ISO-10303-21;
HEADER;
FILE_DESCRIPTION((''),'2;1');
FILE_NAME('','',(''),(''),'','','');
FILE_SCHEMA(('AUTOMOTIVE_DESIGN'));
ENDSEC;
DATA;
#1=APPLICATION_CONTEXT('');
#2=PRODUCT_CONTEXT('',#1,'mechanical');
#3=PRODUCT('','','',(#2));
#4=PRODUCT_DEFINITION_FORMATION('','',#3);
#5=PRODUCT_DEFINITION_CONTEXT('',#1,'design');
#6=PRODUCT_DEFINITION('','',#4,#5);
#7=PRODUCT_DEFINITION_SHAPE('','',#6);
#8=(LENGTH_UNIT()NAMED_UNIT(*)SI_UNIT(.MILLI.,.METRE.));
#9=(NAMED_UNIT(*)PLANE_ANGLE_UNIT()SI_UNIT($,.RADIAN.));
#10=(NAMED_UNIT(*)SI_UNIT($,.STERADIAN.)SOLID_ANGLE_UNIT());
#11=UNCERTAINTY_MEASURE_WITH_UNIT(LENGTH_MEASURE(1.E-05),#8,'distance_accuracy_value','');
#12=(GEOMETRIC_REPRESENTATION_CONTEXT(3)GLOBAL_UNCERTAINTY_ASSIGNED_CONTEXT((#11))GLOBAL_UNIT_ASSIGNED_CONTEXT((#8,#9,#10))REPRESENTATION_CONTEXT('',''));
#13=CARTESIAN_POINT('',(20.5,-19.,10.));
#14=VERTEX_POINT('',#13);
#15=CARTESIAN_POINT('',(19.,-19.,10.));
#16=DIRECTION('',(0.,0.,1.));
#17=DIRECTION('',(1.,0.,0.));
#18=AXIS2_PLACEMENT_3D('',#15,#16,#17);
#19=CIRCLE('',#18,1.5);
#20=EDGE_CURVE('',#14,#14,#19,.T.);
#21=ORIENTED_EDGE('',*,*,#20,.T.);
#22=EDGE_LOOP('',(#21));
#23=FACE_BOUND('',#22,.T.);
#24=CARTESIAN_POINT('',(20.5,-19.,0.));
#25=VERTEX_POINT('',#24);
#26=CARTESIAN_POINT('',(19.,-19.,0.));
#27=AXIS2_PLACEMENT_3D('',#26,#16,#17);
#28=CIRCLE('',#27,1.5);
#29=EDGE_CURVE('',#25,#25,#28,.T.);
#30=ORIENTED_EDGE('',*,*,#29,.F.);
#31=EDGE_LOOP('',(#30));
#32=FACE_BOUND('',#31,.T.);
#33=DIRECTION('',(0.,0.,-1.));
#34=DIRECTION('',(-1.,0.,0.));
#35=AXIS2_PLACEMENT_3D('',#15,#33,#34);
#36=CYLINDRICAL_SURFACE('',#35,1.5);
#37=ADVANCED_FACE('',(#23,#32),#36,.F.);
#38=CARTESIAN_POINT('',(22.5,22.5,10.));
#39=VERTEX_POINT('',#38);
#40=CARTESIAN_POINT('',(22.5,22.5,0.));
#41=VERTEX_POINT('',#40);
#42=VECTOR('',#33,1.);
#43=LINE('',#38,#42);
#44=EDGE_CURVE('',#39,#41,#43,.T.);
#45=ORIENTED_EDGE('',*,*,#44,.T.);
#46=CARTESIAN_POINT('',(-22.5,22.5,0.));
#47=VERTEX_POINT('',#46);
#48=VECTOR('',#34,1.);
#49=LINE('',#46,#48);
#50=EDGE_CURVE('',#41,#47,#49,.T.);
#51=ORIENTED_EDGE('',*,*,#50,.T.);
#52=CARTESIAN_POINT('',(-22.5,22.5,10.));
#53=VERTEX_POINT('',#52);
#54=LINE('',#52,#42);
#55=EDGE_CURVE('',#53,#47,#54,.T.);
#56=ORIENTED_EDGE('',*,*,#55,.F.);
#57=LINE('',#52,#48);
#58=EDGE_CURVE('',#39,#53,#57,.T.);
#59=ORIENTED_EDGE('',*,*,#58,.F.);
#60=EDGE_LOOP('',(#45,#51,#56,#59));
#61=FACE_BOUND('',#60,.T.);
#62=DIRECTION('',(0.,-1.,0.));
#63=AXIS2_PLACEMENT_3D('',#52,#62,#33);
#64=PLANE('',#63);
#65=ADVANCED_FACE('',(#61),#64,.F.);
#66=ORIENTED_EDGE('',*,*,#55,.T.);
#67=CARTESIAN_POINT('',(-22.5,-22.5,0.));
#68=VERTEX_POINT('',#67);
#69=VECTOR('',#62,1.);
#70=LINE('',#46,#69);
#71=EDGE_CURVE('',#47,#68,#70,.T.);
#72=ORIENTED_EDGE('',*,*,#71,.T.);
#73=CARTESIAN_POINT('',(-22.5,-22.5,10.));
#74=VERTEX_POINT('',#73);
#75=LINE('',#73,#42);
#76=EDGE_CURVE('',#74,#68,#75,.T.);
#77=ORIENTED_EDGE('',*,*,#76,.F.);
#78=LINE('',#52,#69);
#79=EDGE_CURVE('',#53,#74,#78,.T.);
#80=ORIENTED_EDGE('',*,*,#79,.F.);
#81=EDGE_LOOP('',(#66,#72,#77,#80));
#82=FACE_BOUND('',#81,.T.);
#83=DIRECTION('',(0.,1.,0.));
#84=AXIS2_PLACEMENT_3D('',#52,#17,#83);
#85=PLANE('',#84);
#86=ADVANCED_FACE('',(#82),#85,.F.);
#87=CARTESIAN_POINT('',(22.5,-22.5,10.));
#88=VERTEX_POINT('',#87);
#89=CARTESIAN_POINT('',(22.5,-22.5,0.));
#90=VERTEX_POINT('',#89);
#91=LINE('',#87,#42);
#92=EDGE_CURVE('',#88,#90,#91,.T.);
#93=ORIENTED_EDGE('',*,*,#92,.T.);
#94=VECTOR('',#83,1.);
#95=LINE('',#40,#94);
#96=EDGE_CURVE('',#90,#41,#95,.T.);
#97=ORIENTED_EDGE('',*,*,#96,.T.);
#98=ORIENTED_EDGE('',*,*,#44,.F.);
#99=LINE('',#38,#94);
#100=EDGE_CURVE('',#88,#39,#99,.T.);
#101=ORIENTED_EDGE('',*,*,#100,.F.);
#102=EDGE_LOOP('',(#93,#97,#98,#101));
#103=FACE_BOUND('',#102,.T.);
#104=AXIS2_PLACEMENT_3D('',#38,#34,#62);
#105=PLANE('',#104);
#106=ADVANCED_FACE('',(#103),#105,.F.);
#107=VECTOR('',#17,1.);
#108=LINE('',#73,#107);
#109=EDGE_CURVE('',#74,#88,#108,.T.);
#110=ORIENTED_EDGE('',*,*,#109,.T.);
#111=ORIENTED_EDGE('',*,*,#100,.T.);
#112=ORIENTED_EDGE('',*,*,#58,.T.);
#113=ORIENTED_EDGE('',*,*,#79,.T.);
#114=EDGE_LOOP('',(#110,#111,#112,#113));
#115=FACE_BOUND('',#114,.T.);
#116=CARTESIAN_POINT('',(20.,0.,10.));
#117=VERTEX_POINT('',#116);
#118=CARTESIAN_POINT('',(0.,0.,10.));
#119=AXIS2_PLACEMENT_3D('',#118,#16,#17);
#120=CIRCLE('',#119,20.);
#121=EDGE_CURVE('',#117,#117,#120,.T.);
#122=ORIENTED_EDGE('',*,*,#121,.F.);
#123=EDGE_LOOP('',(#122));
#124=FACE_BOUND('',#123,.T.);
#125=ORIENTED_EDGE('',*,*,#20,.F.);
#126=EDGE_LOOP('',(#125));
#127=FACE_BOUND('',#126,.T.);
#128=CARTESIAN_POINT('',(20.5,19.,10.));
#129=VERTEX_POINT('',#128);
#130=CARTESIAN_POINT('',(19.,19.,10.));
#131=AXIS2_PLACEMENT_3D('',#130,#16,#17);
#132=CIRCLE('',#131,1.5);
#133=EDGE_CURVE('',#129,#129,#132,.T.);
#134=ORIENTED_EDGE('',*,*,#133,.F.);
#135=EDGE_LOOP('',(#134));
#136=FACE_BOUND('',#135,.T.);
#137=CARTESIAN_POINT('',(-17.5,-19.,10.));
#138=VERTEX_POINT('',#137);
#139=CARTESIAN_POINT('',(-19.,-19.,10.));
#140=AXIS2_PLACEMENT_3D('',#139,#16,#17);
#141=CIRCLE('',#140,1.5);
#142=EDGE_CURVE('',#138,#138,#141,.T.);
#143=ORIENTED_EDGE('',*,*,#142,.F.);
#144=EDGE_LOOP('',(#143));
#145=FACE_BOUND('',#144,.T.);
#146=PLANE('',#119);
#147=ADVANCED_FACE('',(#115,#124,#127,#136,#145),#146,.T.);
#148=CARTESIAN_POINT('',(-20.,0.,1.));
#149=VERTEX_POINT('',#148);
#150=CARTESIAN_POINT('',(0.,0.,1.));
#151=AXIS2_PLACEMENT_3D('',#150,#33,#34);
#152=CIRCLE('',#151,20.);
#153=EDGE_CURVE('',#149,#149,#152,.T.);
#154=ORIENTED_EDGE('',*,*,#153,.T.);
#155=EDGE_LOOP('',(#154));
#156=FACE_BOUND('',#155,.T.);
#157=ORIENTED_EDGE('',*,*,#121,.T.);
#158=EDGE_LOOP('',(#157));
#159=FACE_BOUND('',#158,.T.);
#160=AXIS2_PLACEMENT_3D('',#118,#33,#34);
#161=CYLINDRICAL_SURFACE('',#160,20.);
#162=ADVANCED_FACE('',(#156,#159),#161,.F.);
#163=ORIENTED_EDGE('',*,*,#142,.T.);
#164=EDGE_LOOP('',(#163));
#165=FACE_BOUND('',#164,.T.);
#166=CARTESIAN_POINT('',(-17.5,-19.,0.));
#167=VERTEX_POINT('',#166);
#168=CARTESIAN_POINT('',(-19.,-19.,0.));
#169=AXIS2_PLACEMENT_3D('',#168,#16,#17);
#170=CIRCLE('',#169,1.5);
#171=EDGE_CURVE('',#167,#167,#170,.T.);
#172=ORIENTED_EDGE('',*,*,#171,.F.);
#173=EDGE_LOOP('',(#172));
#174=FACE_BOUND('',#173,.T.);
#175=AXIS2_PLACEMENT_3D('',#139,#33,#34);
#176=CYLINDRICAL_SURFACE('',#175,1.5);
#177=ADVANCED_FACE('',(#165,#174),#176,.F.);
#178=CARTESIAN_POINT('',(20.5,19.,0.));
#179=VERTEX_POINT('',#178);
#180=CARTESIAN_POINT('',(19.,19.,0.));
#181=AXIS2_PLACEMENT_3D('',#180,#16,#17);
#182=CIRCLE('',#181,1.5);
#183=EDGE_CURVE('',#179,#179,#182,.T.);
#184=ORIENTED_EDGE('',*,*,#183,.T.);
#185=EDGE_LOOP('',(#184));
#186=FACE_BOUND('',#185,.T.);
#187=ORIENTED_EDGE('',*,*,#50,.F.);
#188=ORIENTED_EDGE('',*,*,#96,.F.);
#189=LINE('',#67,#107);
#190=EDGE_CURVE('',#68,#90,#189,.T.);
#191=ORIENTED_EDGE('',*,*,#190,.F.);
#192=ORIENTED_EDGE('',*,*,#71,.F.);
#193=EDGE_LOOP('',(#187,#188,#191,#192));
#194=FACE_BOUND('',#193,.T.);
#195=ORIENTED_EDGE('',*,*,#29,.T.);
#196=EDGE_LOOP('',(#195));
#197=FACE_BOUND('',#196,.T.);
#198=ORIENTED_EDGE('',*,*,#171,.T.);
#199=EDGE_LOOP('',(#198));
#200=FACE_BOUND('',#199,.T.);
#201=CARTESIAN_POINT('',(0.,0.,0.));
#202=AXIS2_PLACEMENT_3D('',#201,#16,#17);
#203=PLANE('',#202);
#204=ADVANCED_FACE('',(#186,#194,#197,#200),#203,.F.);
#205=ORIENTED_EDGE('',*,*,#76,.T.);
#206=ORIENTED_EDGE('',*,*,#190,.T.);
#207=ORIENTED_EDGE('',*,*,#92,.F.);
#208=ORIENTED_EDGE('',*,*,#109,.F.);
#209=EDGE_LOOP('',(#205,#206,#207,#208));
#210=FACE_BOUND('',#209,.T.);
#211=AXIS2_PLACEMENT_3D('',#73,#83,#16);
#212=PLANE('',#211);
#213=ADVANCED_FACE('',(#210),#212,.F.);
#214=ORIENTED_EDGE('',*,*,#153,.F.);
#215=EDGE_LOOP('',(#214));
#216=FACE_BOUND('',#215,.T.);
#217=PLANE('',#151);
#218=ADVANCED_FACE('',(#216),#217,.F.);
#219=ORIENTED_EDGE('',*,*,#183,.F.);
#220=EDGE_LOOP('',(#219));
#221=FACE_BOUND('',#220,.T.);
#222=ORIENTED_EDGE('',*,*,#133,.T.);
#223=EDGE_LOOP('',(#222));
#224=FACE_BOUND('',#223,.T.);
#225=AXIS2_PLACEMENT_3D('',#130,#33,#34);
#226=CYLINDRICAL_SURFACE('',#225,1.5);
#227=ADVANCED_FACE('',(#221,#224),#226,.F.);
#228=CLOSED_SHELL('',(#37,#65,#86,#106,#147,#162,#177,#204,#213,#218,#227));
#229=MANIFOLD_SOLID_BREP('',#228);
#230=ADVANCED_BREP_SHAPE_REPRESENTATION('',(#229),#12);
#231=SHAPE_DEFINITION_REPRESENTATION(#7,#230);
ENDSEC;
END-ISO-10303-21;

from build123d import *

# Parameters (mm, degrees)
SKETCH_1_W      = 45
SKETCH_1_H      = 45
SKETCH_1_R      = 1.5
SKETCH_1_R_2    = 20
EXTRUDE_1_DEPTH = 10
SKETCH_2_R      = 20
EXTRUDE_2_DEPTH = 1


with BuildPart() as part:
    # 草圖1 → 填料-伸長1 (new body)
    with BuildSketch(Plane.XY):
        Rectangle(SKETCH_1_W, SKETCH_1_H)
        with Locations((19, 19)):
            Circle(SKETCH_1_R, mode=Mode.SUBTRACT)
        with Locations((19, -19)):
            Circle(SKETCH_1_R, mode=Mode.SUBTRACT)
        with Locations((-19, -19)):
            Circle(SKETCH_1_R, mode=Mode.SUBTRACT)
        Circle(SKETCH_1_R_2, mode=Mode.SUBTRACT)
    extrude(amount=EXTRUDE_1_DEPTH)

    # 草圖2 → 填料-伸長2 (add)
    with BuildSketch(Plane(origin=(0, 0, 0), x_dir=(-1, 0, 0), z_dir=(0, 0, -1))):
        Circle(SKETCH_2_R)
    extrude(amount=-EXTRUDE_2_DEPTH)


solid = part.part
